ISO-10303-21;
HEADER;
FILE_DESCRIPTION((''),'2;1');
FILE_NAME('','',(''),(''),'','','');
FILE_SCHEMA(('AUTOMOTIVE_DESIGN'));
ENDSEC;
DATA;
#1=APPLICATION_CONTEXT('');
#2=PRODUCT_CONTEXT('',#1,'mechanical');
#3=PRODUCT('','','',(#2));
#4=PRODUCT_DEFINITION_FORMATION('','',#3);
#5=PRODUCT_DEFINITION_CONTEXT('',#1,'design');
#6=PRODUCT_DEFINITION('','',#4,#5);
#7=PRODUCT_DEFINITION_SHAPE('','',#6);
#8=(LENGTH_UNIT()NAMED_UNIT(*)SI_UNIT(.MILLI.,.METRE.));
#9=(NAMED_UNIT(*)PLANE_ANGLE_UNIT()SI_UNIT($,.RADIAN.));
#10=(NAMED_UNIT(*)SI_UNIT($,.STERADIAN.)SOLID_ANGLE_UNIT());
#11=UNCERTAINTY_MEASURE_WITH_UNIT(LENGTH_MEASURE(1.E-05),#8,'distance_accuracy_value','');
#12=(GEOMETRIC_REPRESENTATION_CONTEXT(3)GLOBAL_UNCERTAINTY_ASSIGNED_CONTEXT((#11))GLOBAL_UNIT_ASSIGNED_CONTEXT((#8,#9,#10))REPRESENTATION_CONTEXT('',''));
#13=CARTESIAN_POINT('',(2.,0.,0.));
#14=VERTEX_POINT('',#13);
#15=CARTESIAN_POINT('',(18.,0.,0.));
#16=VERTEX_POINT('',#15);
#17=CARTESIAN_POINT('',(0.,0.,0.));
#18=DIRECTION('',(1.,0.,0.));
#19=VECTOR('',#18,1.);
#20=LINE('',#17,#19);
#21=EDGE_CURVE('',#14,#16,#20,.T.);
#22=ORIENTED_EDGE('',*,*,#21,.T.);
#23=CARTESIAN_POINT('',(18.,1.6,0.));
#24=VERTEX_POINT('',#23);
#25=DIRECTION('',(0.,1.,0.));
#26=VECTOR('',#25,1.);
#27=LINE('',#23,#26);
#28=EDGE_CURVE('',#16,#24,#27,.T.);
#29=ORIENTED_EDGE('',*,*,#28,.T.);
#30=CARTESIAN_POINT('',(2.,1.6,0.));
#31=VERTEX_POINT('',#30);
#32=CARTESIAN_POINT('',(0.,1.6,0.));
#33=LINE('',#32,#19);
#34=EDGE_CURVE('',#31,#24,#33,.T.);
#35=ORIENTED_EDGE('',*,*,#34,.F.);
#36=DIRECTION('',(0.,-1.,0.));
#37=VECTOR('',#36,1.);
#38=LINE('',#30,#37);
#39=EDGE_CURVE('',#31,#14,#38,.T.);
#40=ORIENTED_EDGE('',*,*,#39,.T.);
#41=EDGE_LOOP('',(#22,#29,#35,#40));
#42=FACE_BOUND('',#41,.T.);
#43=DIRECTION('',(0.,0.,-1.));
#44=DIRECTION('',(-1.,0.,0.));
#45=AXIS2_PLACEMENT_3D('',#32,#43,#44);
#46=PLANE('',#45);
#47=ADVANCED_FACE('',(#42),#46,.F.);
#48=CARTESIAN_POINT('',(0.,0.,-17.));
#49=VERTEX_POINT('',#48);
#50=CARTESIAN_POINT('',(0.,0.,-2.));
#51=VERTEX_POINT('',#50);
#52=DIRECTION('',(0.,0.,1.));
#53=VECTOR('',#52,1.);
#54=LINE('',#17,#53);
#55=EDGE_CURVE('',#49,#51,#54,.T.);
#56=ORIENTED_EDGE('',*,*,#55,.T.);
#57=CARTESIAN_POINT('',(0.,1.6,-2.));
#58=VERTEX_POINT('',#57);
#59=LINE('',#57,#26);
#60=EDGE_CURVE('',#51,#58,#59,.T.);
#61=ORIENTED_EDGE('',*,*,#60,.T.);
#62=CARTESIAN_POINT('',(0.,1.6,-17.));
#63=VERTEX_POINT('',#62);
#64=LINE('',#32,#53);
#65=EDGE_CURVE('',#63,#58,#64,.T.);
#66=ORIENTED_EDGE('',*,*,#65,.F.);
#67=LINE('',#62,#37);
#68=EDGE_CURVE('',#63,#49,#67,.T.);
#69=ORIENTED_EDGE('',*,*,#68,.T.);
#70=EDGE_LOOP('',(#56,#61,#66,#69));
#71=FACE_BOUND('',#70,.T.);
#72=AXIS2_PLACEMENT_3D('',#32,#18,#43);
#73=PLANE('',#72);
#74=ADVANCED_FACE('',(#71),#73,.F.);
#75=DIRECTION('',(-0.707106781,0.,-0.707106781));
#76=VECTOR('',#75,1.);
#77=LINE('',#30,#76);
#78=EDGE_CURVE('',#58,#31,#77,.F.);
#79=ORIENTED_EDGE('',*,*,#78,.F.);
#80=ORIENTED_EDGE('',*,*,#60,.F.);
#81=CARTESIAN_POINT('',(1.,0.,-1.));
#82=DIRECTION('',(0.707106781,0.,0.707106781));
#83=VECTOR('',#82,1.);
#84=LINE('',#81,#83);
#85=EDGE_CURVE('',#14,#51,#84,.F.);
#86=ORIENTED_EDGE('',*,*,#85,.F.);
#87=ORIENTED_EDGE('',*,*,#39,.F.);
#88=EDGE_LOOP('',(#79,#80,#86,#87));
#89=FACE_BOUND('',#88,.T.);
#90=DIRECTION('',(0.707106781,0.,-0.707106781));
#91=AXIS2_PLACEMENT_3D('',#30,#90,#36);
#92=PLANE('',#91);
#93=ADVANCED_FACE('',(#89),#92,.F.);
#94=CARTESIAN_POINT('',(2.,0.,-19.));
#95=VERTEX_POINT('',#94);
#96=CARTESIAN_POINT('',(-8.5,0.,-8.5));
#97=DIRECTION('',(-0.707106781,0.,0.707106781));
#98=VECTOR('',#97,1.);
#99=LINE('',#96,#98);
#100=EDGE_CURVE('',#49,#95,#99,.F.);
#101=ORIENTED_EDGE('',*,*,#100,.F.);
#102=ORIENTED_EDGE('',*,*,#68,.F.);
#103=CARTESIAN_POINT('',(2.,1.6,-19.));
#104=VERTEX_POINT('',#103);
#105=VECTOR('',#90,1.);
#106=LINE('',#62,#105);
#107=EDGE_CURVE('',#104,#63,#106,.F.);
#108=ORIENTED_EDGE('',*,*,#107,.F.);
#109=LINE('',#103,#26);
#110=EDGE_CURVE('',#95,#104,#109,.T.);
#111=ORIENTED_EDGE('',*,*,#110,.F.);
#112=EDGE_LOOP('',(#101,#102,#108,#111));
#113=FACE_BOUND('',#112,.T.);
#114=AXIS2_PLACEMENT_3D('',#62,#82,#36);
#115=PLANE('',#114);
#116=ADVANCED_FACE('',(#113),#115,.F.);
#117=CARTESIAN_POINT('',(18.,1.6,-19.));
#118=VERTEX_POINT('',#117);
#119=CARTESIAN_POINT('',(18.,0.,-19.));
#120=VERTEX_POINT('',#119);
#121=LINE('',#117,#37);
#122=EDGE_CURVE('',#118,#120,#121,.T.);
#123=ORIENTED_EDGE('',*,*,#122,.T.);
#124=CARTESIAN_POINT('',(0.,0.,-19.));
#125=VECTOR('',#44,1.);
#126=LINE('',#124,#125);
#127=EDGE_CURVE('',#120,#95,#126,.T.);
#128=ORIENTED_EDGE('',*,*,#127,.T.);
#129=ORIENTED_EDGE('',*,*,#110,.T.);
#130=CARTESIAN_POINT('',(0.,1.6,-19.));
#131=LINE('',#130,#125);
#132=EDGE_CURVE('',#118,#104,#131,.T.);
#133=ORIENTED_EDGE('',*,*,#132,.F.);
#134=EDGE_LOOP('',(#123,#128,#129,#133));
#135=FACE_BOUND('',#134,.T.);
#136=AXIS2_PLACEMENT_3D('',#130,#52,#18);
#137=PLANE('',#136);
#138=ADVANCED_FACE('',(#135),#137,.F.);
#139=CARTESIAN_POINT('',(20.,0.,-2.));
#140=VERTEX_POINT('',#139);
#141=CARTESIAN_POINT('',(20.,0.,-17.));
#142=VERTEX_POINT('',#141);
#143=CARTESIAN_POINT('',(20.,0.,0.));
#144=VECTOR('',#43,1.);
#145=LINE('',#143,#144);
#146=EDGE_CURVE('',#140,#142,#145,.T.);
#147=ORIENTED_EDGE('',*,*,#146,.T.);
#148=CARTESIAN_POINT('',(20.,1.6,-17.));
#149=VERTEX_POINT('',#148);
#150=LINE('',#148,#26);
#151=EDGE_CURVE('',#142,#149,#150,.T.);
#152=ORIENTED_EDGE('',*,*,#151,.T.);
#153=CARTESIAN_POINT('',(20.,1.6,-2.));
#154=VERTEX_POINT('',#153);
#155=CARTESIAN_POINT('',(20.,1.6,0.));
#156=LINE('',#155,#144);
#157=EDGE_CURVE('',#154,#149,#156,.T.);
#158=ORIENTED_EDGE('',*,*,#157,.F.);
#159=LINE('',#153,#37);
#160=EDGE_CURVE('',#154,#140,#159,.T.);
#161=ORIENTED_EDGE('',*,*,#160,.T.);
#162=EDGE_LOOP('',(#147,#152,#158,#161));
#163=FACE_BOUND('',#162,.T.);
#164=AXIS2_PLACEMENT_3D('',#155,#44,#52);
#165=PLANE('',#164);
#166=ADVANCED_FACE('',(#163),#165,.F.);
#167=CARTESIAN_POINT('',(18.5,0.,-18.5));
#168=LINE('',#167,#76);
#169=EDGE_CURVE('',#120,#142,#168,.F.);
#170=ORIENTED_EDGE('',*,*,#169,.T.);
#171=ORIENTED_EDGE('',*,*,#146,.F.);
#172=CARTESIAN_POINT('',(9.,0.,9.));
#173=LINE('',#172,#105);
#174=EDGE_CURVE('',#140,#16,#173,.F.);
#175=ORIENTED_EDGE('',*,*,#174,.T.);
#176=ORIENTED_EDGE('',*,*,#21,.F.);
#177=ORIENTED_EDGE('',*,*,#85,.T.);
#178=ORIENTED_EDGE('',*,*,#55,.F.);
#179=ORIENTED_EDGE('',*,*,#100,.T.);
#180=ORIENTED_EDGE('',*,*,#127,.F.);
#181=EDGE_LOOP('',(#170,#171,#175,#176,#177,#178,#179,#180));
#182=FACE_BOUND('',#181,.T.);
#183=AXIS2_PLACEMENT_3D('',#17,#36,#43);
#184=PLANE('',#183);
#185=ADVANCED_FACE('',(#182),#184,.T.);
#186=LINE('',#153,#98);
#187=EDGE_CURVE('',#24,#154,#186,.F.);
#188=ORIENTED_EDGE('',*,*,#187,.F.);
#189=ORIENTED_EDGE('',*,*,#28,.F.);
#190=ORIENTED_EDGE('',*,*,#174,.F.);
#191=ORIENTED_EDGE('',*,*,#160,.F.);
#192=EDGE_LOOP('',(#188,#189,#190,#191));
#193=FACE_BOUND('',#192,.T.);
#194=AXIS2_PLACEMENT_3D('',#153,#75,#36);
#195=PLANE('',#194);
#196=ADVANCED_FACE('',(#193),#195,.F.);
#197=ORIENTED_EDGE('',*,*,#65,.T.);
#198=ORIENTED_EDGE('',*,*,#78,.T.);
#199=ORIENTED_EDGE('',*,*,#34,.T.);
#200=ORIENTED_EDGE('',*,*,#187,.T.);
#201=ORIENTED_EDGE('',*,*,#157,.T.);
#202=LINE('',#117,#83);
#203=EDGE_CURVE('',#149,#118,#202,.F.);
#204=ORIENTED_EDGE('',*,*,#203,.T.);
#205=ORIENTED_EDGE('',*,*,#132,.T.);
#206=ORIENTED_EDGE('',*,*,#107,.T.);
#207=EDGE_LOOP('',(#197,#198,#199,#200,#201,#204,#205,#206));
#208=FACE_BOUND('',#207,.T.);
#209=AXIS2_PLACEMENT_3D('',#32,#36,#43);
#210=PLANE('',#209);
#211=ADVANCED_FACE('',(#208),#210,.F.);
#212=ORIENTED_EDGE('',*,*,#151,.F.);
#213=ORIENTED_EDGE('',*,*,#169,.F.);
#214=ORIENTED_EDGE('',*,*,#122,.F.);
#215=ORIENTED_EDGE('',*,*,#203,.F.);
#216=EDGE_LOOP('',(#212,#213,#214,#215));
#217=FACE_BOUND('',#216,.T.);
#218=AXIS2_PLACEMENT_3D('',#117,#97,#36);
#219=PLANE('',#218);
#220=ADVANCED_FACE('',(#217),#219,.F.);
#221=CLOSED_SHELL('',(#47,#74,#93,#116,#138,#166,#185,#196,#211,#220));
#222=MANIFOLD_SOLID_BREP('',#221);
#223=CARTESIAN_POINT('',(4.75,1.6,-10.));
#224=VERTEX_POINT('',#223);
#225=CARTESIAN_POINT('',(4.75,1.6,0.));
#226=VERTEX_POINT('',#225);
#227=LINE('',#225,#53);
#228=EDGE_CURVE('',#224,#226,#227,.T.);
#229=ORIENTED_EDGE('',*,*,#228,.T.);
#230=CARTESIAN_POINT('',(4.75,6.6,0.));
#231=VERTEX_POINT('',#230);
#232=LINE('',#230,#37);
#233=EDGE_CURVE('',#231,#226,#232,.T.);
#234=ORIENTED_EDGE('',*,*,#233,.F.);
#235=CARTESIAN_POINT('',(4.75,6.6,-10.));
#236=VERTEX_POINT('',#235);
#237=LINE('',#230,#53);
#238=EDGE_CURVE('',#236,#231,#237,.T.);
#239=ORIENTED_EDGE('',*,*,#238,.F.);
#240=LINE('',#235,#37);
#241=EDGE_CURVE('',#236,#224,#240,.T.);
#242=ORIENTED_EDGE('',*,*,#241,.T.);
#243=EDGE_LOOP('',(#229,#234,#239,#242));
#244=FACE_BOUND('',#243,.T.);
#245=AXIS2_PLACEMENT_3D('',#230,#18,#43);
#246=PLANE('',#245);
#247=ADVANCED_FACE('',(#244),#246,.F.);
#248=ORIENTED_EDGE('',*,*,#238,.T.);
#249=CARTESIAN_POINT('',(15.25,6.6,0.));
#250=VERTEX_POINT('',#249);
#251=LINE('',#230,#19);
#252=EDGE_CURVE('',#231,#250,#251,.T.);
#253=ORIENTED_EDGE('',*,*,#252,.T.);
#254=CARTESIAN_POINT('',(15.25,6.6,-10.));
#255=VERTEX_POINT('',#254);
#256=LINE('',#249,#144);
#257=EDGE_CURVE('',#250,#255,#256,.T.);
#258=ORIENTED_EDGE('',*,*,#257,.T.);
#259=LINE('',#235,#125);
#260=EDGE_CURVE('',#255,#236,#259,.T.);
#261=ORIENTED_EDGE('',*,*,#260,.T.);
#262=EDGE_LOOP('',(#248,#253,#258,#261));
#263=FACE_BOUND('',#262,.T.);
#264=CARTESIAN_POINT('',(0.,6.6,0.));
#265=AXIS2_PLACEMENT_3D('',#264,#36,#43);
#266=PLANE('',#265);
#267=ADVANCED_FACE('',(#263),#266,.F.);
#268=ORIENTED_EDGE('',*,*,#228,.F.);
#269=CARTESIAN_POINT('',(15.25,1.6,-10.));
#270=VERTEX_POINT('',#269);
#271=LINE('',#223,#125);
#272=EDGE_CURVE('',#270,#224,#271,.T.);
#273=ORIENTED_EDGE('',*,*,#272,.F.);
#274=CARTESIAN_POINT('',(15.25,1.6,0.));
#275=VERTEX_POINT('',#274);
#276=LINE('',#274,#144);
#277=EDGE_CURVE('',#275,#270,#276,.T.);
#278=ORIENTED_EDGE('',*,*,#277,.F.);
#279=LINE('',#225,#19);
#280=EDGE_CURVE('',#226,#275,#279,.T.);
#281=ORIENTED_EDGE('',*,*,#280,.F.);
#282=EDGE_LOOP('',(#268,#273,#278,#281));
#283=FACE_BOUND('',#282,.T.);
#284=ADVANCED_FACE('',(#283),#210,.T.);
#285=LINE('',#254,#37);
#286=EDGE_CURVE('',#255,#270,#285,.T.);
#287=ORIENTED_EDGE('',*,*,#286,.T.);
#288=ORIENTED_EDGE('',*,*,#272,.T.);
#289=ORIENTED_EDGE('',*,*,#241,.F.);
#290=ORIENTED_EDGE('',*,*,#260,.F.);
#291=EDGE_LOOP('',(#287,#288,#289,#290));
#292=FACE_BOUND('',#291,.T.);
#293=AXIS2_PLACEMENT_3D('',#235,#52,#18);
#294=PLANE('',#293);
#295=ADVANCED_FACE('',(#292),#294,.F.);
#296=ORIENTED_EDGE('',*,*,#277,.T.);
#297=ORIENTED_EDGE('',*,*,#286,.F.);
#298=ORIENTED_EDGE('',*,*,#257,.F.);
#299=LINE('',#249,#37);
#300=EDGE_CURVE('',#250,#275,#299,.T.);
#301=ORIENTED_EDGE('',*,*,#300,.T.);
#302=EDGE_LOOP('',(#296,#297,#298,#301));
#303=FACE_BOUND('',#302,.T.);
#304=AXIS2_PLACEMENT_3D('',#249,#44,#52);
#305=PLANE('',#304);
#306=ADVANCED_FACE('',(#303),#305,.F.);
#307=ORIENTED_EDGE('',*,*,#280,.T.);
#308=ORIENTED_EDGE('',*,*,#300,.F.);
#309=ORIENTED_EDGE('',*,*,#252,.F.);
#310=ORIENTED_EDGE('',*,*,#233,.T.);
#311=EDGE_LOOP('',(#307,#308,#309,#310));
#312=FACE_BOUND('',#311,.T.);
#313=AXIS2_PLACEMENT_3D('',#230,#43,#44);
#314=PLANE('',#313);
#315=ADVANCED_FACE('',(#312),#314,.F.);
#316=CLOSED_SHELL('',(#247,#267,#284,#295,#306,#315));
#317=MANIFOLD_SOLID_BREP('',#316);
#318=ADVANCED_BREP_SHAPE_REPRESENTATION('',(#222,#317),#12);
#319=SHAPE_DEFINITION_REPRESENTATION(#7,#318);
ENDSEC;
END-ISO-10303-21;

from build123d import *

# Parameters (mm, degrees)
SKETCH1_W           = 20
SKETCH1_H           = 19
BOSS_EXTRUDE1_DEPTH = 1.6
CHAMFER1_SIZE       = 2
SKETCH2_W           = 10.5
SKETCH2_H           = 10
BOSS_EXTRUDE2_DEPTH = 5


with BuildPart() as part:
    # Sketch1 → Boss-Extrude1 (new body)
    with BuildSketch(Plane(origin=(0, 0, 0), x_dir=(1, 0, 0), z_dir=(0, 1, 0))):
        with Locations((10, 9.5)):
            Rectangle(SKETCH1_W, SKETCH1_H)
    extrude(amount=BOSS_EXTRUDE1_DEPTH)

    # Chamfer1
    chamfer1_edges = [part.edges().sort_by_distance(p)[0] for p in [
        (0, 0.8, -19),
        (20, 0.8, -19),
        (20, 0.8, 0),
        (0, 0.8, 0),
    ]]
    chamfer(chamfer1_edges, length=CHAMFER1_SIZE)


with BuildPart() as body_2:
    # Sketch2 → Boss-Extrude2 (new body)
    with BuildSketch(Plane(origin=(0, 1.6, 0), x_dir=(1, 0, 0), z_dir=(0, 1, 0))):
        with Locations((10, 5)):
            Rectangle(SKETCH2_W, SKETCH2_H)
    extrude(amount=BOSS_EXTRUDE2_DEPTH)


solid = Compound([part.part, body_2.part])
